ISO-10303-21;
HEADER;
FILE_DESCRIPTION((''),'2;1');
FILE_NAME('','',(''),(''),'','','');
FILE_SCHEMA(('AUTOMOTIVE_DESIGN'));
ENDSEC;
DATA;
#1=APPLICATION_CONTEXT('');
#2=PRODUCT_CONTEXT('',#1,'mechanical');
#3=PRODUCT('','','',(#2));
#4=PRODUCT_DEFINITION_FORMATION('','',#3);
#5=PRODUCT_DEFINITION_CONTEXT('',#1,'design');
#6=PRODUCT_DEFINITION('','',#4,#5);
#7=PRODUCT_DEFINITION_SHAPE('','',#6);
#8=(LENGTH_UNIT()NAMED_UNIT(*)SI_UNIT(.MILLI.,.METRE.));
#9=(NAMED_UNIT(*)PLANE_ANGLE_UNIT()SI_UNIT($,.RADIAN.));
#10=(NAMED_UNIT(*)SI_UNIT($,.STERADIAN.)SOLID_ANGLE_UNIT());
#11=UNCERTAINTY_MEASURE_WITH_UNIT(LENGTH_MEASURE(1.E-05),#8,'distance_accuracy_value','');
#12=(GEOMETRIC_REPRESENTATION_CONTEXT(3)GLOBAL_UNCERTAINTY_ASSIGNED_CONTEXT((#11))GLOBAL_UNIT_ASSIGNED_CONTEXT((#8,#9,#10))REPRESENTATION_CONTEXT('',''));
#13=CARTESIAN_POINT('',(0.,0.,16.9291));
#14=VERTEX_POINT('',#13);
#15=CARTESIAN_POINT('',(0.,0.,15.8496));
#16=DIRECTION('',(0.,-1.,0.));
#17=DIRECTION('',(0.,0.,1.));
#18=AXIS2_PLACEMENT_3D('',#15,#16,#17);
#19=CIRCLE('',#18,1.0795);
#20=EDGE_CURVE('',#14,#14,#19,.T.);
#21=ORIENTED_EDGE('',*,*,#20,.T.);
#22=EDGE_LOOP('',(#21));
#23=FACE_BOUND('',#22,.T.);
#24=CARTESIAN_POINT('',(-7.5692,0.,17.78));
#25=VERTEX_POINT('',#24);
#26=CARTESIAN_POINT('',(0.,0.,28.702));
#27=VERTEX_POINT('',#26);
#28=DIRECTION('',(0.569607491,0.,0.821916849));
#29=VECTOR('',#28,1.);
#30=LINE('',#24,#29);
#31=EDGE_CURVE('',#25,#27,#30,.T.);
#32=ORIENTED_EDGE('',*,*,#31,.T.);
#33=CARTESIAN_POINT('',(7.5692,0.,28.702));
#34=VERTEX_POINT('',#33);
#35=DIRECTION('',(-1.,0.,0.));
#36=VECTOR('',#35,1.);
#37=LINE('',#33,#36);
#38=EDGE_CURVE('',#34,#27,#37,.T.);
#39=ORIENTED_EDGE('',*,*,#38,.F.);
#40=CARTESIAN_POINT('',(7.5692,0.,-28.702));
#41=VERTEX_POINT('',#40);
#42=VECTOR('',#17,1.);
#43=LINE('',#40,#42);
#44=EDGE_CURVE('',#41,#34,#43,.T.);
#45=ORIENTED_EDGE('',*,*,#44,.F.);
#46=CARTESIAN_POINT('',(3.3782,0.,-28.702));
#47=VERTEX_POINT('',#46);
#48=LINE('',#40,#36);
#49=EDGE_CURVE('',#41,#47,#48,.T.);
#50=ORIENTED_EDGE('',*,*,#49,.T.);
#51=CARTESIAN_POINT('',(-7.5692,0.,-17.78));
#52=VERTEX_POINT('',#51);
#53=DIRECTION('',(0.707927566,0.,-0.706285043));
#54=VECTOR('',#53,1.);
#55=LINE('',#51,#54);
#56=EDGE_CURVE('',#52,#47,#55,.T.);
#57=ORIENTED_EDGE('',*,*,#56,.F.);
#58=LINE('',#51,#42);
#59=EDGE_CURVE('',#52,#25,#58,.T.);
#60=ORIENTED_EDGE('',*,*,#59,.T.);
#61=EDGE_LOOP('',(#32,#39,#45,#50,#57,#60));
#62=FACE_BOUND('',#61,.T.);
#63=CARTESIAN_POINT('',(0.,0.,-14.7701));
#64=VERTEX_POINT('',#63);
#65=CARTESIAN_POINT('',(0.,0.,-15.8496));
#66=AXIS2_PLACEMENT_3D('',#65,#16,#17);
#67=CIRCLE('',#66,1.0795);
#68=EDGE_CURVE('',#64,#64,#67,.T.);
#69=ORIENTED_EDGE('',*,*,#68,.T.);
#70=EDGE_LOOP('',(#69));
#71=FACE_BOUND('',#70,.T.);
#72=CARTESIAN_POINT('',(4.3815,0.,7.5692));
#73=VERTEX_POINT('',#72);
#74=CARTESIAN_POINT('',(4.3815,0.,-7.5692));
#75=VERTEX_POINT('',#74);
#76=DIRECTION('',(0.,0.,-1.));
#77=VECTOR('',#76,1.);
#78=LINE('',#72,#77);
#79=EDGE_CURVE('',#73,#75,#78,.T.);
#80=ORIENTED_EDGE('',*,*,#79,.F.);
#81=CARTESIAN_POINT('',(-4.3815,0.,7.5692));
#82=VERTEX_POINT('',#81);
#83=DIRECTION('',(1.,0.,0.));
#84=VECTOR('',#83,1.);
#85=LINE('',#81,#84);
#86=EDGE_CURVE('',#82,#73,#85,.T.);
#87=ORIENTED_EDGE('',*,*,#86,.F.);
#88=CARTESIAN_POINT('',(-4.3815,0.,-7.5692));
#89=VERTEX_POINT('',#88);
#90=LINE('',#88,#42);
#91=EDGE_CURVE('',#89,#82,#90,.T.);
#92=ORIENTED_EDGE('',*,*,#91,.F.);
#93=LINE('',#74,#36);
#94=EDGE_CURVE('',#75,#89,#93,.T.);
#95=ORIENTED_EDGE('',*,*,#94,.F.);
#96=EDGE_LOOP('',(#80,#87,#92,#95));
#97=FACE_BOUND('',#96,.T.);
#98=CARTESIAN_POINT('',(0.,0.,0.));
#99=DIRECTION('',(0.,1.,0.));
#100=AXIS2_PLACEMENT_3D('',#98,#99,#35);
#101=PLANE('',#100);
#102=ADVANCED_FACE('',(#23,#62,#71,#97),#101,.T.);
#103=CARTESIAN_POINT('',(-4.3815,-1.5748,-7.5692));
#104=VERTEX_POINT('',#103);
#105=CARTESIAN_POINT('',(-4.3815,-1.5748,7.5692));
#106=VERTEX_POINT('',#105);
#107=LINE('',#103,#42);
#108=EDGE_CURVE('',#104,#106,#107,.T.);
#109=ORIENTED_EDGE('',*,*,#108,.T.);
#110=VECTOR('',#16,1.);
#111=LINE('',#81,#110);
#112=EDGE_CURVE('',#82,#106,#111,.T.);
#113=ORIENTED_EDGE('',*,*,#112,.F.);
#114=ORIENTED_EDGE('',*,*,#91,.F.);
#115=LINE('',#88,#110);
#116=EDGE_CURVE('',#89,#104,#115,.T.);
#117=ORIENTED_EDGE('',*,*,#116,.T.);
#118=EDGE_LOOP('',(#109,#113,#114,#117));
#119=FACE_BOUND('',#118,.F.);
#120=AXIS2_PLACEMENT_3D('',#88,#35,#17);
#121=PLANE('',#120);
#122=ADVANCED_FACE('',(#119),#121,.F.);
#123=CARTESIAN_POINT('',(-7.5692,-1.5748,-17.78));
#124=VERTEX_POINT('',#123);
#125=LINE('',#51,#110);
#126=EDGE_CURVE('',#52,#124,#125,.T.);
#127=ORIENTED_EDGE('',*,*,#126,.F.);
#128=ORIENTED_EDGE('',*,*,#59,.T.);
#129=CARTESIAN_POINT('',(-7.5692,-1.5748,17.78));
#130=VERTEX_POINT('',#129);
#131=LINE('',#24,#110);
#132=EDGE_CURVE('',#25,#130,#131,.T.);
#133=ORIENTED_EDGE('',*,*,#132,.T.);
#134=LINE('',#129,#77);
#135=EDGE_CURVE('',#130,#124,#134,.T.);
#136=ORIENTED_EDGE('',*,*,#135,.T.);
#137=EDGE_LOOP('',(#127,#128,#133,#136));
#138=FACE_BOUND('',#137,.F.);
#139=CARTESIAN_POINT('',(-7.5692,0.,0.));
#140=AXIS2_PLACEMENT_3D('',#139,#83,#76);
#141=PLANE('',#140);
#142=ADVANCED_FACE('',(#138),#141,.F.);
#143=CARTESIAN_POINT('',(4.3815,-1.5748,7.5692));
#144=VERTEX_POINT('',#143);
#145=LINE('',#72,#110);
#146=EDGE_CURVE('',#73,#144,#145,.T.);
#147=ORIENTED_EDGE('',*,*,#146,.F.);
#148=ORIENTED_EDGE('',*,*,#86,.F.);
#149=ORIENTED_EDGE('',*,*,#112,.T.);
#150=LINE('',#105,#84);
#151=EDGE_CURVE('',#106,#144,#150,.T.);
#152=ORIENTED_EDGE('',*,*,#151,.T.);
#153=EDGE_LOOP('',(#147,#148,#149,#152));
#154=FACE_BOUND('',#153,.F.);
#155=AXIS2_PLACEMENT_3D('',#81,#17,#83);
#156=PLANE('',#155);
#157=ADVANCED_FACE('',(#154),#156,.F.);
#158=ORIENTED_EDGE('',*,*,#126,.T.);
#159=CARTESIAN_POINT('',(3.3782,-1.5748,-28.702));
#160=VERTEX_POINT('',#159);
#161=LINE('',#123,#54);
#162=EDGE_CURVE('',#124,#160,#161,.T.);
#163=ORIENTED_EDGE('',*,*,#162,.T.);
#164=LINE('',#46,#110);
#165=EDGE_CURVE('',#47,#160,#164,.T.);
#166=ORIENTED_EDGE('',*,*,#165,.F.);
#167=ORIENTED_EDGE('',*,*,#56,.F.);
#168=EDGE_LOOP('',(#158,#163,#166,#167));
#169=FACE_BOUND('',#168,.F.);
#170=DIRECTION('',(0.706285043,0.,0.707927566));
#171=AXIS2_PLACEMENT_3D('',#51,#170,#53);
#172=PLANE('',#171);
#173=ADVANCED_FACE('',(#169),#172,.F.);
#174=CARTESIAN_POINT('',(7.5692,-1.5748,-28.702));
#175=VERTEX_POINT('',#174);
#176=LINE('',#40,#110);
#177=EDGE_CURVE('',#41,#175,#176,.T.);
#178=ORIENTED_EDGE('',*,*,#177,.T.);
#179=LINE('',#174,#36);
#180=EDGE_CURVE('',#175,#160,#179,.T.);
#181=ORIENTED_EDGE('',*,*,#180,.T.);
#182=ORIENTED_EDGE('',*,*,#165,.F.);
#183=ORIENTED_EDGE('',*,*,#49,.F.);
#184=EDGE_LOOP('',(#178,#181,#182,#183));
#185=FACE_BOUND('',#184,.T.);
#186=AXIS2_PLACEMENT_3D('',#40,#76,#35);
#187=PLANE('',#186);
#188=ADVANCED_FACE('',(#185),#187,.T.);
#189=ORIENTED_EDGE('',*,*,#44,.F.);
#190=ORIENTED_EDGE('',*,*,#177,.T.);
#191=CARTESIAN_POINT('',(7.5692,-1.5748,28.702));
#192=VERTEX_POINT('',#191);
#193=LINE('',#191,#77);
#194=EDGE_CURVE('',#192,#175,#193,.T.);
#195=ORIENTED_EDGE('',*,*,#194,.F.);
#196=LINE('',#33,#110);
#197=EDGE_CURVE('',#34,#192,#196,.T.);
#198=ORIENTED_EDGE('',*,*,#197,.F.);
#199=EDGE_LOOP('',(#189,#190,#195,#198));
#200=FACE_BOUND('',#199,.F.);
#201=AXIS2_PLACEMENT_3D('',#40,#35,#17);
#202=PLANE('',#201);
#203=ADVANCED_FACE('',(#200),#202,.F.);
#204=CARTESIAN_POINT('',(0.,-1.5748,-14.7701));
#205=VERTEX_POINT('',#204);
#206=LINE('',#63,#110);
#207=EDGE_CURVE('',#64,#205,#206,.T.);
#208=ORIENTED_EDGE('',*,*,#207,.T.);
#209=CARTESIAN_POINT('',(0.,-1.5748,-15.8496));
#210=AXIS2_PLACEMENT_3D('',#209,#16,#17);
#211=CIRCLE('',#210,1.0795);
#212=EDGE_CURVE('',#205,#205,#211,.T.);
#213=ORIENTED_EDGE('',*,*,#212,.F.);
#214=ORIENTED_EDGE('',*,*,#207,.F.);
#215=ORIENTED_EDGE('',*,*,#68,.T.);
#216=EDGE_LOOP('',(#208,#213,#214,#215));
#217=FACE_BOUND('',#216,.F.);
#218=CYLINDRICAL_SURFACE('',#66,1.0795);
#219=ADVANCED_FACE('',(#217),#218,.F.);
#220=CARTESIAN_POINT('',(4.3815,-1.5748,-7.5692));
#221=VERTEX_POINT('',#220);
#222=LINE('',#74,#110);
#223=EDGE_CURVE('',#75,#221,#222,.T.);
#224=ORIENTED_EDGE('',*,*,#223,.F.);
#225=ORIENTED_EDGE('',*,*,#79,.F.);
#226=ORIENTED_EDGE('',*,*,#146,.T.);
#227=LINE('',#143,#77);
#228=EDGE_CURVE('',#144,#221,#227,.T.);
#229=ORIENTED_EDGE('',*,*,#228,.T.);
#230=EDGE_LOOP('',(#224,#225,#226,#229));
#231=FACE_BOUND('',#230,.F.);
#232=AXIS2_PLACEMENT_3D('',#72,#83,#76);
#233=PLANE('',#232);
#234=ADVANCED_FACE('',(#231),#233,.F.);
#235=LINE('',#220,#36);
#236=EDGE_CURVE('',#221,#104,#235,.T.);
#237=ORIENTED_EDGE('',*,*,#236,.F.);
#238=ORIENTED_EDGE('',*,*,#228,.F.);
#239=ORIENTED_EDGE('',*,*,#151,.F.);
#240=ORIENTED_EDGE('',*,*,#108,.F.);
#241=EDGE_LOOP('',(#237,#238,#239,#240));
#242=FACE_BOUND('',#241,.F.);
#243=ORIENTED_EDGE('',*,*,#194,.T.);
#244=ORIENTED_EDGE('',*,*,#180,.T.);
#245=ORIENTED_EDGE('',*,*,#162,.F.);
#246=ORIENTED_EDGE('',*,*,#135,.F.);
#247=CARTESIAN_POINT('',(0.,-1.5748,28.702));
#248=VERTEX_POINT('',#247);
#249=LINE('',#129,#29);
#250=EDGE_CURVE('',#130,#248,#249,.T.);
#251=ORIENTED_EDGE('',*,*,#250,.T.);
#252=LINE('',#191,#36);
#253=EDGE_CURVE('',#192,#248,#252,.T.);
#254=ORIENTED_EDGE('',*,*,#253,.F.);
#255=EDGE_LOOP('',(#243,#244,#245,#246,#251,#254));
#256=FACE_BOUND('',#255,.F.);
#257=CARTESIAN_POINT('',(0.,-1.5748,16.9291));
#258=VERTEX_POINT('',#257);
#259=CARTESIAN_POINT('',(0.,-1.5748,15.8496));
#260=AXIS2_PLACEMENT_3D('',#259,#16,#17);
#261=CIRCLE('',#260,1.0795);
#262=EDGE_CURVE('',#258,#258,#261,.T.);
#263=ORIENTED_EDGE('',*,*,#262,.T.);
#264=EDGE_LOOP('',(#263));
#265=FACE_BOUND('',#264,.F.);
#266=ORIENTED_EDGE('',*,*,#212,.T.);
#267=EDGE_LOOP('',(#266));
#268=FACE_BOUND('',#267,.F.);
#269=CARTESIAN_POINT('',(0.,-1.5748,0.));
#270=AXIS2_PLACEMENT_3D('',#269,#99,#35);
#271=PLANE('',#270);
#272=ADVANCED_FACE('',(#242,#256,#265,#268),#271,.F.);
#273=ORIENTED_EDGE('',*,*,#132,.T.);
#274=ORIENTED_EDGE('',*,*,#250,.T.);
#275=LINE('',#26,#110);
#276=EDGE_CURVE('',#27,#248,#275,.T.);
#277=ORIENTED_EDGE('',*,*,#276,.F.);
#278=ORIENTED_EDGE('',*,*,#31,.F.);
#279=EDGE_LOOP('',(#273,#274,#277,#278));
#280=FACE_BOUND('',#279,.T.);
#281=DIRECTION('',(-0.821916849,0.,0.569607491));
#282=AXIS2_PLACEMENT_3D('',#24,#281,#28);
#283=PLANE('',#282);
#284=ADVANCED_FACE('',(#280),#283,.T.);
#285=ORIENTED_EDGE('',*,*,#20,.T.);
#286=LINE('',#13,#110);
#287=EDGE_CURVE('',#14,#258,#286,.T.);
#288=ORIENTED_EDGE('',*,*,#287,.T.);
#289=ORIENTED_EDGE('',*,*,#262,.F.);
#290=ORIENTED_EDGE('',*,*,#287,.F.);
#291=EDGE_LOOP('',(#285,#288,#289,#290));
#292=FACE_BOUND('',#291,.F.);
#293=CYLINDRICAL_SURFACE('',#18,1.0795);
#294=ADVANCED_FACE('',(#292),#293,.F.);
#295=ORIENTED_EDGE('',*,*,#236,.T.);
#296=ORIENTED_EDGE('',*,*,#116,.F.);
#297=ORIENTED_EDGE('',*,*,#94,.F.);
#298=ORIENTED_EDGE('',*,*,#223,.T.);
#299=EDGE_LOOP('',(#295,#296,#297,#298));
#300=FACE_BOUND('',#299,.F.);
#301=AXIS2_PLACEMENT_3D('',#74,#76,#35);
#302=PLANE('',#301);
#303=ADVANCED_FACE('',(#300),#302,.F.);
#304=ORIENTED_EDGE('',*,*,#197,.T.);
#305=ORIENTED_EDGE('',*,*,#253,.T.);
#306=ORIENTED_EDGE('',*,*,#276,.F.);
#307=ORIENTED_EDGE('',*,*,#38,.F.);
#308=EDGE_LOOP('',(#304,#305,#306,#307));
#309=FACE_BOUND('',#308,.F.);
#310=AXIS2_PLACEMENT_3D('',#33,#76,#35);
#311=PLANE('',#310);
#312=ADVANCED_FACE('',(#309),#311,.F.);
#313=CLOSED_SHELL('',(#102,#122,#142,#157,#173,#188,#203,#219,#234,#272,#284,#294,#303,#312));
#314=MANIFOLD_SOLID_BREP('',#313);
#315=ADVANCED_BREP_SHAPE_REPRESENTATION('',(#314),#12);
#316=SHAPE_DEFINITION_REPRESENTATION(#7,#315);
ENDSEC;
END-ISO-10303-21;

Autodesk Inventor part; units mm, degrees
ref_plane "YZ Plane" through (0, 0, 0) normal (1, 0, 0) x (0, 1, 0)
ref_plane "XZ Plane" through (0, 0, 0) normal (0, 1, 0) x (-1, 0, 0)
ref_plane "XY Plane" through (0, 0, 0) normal (0, 0, 1) x (1, 0, 0)
sketch "Sketch1" plane through (0, 0, 0) normal (0, 1, 0) x (-1, 0, 0)
  line L0 (-7.5692, 28.702) -> (7.5692, 28.702) construction
  line L1 (7.5692, 28.702) -> (7.5692, -28.702) construction
  line L2 (7.5692, -28.702) -> (-7.5692, -28.702) construction
  line L3 (-7.5692, -28.702) -> (-7.5692, 28.702) construction
  line L4 (-7.5692, 28.702) -> (7.5692, -28.702) construction
  line L5 (7.5692, 28.702) -> (-7.5692, -28.702) construction
  line L6 (-4.3815, -7.5692) -> (4.3815, -7.5692)
  line L7 (4.3815, -7.5692) -> (4.3815, 7.5692)
  line L8 (4.3815, 7.5692) -> (-4.3815, 7.5692)
  line L9 (-4.3815, 7.5692) -> (-4.3815, -7.5692)
  line L10 (-4.3815, -7.5692) -> (4.3815, 7.5692) construction
  line L11 (4.3815, -7.5692) -> (-4.3815, 7.5692) construction
  line L12 (-7.5692, -28.702) -> (-3.3782, -28.702)
  line L13 (7.5692, -17.78) -> (-3.3782, -28.702)
  line L14 (-7.5692, -28.702) -> (-7.5692, 0)
  line L15 (21.6792, 0) -> (-18.0822, 0) construction
  line L16 (-7.5692, 28.702) -> (-7.5692, 0)
  line L17 (7.5692, 0) -> (7.5692, -17.78)
  line L18 (7.5692, 0) -> (7.5692, 17.78)
  line L19 (-7.5692, 28.702) -> (0, 28.702)
  line L20 (7.5692, 17.78) -> (0, 28.702)
  point P0 (0, 0)
  point P1 (0, -15.8496)
  point P2 (0, 15.8496)
  point P3 (0, 0)
  dimension "d0" = 57.404
  dimension "d1" = 15.1384
  dimension "d2" = 8.763
  dimension "d3" = 15.1384
  dimension "d4" = 10.9474
  dimension "d5" = 10.922
  dimension "d7" = 7.5692
  dimension "d20" = 10.922
  dimension "d21" = 7.5692
  dimension "mounting_hole_distance" = 31.6992
extrude "Extrusion2" add sketch "Sketch1" against normal blind 1.5748
hole "Hole1" at (0, 0, -15.8496) at (0, 0, 15.8496) direction (0, -1, 0) diameter 2.159 depth 8.8646 tip angle 118
equation "\"d20\" = d5"
equation "\"d21\" = d7"
properties part number "orginal_headplate_ben"
